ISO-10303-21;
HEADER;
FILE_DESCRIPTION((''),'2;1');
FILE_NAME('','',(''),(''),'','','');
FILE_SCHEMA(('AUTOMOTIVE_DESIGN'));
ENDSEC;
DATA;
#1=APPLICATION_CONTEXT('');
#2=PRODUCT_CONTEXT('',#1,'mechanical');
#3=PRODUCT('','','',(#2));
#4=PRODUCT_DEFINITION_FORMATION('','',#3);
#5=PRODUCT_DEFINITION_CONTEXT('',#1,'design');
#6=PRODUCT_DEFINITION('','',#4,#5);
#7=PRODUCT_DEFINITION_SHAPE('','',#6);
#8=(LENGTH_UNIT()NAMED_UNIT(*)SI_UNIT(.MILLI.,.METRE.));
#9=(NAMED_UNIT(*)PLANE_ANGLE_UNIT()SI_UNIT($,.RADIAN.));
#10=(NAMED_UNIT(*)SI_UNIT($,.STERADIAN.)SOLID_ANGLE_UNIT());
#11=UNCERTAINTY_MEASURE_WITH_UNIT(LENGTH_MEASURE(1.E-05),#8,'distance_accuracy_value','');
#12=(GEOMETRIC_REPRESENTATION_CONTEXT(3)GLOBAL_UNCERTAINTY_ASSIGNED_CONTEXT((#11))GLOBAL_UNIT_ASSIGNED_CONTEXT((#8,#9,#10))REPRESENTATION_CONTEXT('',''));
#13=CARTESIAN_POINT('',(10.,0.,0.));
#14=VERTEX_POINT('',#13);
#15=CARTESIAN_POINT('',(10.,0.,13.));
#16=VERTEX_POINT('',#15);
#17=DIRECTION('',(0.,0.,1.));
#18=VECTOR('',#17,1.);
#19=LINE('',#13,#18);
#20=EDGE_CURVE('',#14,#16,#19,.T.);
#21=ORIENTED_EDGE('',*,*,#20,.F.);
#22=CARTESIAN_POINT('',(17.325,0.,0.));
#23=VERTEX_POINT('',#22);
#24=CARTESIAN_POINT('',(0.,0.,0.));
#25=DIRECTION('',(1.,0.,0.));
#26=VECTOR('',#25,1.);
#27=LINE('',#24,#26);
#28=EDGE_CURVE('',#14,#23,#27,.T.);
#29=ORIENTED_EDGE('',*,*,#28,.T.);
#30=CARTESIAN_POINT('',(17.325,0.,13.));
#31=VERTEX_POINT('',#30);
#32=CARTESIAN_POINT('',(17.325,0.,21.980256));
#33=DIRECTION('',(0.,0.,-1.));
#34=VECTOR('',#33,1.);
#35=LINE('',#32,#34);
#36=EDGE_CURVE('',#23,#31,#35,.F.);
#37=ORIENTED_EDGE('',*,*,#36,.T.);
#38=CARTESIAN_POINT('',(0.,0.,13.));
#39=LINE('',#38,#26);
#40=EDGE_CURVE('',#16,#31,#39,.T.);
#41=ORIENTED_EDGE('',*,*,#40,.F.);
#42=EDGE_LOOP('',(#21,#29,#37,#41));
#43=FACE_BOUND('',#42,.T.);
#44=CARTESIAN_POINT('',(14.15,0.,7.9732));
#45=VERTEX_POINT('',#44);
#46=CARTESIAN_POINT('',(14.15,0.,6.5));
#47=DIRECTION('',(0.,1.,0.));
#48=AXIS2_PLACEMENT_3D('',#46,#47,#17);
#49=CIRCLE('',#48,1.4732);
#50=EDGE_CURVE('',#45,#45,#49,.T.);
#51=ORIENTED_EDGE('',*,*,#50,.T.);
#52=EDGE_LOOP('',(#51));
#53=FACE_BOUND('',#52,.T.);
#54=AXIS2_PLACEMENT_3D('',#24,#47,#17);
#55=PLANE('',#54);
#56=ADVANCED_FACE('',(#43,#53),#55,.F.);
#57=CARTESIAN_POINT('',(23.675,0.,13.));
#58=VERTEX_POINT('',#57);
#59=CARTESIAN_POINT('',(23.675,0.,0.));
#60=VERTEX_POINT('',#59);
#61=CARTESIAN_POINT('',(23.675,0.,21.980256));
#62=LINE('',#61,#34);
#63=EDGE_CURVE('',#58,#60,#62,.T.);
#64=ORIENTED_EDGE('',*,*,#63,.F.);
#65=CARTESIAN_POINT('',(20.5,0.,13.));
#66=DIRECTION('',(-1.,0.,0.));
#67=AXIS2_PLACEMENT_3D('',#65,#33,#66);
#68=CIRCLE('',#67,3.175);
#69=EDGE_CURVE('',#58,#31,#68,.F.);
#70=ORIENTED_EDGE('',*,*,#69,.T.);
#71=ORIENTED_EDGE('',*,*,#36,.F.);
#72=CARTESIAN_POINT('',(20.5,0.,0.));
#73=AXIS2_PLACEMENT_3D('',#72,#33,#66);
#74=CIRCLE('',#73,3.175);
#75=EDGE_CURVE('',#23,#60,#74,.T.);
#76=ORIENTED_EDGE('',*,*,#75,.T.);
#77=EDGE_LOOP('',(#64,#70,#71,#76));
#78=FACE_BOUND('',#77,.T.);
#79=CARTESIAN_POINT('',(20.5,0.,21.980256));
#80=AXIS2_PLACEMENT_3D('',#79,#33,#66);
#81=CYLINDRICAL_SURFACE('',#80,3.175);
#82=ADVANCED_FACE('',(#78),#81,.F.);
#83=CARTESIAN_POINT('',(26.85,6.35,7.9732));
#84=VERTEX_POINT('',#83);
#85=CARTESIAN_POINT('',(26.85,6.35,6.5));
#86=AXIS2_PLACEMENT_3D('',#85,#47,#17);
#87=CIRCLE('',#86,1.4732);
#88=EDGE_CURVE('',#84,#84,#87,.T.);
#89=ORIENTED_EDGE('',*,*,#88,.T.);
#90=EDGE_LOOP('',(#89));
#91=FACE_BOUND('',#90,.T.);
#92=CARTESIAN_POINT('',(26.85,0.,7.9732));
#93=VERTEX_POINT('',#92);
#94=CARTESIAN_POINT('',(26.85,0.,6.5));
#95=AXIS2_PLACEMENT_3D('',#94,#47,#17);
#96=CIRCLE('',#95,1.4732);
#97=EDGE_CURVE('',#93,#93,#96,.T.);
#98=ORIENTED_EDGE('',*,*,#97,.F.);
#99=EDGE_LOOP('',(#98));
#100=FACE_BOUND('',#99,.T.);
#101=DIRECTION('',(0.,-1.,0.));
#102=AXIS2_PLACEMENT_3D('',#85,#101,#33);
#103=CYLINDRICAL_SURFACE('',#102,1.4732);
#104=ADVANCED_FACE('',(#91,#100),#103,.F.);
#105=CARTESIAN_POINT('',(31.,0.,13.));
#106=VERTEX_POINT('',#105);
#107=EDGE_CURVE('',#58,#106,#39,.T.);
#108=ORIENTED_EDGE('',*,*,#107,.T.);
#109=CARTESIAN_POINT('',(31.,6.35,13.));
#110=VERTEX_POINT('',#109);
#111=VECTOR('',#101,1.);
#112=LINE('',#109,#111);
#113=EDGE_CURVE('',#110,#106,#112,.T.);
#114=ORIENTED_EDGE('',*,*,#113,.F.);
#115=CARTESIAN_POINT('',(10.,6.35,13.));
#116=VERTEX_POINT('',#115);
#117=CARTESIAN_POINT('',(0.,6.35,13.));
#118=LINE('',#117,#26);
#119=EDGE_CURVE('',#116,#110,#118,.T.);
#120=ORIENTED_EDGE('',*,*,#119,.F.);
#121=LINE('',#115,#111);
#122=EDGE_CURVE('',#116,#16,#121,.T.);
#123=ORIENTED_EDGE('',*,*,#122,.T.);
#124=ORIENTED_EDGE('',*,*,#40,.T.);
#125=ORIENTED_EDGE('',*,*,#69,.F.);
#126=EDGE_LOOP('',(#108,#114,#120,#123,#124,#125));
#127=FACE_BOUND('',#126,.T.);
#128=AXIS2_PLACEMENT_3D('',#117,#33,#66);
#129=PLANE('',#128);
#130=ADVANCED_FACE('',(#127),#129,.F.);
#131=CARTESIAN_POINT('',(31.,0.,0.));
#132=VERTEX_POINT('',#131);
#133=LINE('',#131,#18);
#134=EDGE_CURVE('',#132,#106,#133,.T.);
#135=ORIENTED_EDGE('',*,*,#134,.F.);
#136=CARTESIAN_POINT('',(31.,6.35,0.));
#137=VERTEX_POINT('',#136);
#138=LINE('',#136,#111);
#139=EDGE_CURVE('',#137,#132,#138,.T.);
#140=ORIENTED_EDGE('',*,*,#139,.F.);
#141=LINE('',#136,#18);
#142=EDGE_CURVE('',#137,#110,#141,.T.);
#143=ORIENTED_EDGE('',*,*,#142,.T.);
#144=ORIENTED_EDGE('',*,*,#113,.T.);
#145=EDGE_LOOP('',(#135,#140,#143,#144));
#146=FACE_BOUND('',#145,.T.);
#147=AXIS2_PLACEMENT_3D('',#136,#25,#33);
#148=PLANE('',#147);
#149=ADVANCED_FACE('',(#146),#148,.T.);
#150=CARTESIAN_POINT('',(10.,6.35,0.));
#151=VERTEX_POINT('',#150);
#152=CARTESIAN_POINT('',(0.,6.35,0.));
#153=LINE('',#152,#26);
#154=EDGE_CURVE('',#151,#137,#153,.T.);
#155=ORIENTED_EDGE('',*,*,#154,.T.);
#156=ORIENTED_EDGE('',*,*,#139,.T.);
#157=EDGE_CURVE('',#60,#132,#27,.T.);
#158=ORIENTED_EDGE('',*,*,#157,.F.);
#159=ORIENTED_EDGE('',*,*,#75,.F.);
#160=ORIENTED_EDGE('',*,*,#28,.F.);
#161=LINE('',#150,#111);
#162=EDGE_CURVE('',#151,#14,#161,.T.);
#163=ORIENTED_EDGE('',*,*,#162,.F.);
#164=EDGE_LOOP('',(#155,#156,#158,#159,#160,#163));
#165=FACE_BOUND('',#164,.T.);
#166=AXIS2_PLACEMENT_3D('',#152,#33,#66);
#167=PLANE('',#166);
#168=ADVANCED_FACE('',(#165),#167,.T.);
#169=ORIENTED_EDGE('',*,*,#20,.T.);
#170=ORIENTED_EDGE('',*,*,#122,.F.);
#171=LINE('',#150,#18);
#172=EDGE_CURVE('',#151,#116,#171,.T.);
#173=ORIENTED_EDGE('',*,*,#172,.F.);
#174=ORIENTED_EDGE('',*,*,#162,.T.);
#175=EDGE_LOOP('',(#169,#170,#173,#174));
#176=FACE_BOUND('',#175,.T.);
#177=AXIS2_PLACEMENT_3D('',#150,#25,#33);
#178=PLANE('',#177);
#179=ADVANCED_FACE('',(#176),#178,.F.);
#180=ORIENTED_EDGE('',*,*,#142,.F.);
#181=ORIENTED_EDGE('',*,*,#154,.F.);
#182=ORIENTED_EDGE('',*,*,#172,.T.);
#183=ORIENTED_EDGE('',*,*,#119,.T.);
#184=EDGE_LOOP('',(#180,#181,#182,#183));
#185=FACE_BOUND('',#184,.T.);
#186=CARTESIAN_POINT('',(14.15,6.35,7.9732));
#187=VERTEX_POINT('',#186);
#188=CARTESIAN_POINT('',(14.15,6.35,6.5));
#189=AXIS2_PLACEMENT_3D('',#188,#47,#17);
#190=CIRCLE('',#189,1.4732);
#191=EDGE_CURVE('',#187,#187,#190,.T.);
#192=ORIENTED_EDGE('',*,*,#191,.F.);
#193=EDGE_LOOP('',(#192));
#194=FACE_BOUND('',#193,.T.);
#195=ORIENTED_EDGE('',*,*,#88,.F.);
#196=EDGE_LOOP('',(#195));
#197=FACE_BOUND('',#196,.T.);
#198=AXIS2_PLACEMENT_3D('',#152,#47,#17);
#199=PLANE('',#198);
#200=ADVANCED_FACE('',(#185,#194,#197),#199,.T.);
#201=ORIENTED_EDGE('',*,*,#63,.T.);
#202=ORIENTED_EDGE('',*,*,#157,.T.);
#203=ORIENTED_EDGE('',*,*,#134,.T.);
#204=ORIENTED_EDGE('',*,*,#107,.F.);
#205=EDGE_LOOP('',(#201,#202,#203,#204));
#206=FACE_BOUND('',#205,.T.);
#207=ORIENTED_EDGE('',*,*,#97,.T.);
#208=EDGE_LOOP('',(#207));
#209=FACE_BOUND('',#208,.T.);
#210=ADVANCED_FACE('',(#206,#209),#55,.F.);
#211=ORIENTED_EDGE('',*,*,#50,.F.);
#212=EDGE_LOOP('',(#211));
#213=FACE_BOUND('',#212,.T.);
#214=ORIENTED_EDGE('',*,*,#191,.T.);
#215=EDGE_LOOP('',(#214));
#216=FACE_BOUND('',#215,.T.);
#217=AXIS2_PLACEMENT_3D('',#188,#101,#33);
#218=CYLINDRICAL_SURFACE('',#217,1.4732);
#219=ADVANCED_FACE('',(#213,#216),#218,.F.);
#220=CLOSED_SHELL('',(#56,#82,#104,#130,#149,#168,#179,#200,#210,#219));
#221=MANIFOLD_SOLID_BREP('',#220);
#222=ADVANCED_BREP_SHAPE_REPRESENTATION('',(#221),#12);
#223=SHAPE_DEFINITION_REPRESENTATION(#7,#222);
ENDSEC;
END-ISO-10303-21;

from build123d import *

# Parameters (mm, degrees)
SKETCH1_W           = 21
SKETCH1_H           = 13
SKETCH1_R           = 1.4732
BOSS_EXTRUDE1_DEPTH = 6.35
SKETCH2_R           = 3.175
CUT_EXTRUDE1_DEPTH  = 13


with BuildPart() as part:
    # Sketch1 → Boss-Extrude1 (new body)
    with BuildSketch(Plane(origin=(0, 0, 0), x_dir=(1, 0, 0), z_dir=(0, 1, 0))):
        with Locations((20.5, -6.5)):
            Rectangle(SKETCH1_W, SKETCH1_H)
        with Locations(Location((14.15, -6.5, 0), (0, 0, 270))):
            Circle(SKETCH1_R, mode=Mode.SUBTRACT)
        with Locations(Location((26.85, -6.5, 0), (0, 0, 270))):
            Circle(SKETCH1_R, mode=Mode.SUBTRACT)
    extrude(amount=BOSS_EXTRUDE1_DEPTH)

    # Sketch2 → Cut-Extrude1 (cut)
    with BuildSketch(Plane(origin=(0, 0, 0), x_dir=(-1, 0, 0), z_dir=(0, 0, -1))):
        with Locations((-20.5, 0)):
            Circle(SKETCH2_R)
    extrude(amount=-CUT_EXTRUDE1_DEPTH, mode=Mode.SUBTRACT)


solid = part.part
